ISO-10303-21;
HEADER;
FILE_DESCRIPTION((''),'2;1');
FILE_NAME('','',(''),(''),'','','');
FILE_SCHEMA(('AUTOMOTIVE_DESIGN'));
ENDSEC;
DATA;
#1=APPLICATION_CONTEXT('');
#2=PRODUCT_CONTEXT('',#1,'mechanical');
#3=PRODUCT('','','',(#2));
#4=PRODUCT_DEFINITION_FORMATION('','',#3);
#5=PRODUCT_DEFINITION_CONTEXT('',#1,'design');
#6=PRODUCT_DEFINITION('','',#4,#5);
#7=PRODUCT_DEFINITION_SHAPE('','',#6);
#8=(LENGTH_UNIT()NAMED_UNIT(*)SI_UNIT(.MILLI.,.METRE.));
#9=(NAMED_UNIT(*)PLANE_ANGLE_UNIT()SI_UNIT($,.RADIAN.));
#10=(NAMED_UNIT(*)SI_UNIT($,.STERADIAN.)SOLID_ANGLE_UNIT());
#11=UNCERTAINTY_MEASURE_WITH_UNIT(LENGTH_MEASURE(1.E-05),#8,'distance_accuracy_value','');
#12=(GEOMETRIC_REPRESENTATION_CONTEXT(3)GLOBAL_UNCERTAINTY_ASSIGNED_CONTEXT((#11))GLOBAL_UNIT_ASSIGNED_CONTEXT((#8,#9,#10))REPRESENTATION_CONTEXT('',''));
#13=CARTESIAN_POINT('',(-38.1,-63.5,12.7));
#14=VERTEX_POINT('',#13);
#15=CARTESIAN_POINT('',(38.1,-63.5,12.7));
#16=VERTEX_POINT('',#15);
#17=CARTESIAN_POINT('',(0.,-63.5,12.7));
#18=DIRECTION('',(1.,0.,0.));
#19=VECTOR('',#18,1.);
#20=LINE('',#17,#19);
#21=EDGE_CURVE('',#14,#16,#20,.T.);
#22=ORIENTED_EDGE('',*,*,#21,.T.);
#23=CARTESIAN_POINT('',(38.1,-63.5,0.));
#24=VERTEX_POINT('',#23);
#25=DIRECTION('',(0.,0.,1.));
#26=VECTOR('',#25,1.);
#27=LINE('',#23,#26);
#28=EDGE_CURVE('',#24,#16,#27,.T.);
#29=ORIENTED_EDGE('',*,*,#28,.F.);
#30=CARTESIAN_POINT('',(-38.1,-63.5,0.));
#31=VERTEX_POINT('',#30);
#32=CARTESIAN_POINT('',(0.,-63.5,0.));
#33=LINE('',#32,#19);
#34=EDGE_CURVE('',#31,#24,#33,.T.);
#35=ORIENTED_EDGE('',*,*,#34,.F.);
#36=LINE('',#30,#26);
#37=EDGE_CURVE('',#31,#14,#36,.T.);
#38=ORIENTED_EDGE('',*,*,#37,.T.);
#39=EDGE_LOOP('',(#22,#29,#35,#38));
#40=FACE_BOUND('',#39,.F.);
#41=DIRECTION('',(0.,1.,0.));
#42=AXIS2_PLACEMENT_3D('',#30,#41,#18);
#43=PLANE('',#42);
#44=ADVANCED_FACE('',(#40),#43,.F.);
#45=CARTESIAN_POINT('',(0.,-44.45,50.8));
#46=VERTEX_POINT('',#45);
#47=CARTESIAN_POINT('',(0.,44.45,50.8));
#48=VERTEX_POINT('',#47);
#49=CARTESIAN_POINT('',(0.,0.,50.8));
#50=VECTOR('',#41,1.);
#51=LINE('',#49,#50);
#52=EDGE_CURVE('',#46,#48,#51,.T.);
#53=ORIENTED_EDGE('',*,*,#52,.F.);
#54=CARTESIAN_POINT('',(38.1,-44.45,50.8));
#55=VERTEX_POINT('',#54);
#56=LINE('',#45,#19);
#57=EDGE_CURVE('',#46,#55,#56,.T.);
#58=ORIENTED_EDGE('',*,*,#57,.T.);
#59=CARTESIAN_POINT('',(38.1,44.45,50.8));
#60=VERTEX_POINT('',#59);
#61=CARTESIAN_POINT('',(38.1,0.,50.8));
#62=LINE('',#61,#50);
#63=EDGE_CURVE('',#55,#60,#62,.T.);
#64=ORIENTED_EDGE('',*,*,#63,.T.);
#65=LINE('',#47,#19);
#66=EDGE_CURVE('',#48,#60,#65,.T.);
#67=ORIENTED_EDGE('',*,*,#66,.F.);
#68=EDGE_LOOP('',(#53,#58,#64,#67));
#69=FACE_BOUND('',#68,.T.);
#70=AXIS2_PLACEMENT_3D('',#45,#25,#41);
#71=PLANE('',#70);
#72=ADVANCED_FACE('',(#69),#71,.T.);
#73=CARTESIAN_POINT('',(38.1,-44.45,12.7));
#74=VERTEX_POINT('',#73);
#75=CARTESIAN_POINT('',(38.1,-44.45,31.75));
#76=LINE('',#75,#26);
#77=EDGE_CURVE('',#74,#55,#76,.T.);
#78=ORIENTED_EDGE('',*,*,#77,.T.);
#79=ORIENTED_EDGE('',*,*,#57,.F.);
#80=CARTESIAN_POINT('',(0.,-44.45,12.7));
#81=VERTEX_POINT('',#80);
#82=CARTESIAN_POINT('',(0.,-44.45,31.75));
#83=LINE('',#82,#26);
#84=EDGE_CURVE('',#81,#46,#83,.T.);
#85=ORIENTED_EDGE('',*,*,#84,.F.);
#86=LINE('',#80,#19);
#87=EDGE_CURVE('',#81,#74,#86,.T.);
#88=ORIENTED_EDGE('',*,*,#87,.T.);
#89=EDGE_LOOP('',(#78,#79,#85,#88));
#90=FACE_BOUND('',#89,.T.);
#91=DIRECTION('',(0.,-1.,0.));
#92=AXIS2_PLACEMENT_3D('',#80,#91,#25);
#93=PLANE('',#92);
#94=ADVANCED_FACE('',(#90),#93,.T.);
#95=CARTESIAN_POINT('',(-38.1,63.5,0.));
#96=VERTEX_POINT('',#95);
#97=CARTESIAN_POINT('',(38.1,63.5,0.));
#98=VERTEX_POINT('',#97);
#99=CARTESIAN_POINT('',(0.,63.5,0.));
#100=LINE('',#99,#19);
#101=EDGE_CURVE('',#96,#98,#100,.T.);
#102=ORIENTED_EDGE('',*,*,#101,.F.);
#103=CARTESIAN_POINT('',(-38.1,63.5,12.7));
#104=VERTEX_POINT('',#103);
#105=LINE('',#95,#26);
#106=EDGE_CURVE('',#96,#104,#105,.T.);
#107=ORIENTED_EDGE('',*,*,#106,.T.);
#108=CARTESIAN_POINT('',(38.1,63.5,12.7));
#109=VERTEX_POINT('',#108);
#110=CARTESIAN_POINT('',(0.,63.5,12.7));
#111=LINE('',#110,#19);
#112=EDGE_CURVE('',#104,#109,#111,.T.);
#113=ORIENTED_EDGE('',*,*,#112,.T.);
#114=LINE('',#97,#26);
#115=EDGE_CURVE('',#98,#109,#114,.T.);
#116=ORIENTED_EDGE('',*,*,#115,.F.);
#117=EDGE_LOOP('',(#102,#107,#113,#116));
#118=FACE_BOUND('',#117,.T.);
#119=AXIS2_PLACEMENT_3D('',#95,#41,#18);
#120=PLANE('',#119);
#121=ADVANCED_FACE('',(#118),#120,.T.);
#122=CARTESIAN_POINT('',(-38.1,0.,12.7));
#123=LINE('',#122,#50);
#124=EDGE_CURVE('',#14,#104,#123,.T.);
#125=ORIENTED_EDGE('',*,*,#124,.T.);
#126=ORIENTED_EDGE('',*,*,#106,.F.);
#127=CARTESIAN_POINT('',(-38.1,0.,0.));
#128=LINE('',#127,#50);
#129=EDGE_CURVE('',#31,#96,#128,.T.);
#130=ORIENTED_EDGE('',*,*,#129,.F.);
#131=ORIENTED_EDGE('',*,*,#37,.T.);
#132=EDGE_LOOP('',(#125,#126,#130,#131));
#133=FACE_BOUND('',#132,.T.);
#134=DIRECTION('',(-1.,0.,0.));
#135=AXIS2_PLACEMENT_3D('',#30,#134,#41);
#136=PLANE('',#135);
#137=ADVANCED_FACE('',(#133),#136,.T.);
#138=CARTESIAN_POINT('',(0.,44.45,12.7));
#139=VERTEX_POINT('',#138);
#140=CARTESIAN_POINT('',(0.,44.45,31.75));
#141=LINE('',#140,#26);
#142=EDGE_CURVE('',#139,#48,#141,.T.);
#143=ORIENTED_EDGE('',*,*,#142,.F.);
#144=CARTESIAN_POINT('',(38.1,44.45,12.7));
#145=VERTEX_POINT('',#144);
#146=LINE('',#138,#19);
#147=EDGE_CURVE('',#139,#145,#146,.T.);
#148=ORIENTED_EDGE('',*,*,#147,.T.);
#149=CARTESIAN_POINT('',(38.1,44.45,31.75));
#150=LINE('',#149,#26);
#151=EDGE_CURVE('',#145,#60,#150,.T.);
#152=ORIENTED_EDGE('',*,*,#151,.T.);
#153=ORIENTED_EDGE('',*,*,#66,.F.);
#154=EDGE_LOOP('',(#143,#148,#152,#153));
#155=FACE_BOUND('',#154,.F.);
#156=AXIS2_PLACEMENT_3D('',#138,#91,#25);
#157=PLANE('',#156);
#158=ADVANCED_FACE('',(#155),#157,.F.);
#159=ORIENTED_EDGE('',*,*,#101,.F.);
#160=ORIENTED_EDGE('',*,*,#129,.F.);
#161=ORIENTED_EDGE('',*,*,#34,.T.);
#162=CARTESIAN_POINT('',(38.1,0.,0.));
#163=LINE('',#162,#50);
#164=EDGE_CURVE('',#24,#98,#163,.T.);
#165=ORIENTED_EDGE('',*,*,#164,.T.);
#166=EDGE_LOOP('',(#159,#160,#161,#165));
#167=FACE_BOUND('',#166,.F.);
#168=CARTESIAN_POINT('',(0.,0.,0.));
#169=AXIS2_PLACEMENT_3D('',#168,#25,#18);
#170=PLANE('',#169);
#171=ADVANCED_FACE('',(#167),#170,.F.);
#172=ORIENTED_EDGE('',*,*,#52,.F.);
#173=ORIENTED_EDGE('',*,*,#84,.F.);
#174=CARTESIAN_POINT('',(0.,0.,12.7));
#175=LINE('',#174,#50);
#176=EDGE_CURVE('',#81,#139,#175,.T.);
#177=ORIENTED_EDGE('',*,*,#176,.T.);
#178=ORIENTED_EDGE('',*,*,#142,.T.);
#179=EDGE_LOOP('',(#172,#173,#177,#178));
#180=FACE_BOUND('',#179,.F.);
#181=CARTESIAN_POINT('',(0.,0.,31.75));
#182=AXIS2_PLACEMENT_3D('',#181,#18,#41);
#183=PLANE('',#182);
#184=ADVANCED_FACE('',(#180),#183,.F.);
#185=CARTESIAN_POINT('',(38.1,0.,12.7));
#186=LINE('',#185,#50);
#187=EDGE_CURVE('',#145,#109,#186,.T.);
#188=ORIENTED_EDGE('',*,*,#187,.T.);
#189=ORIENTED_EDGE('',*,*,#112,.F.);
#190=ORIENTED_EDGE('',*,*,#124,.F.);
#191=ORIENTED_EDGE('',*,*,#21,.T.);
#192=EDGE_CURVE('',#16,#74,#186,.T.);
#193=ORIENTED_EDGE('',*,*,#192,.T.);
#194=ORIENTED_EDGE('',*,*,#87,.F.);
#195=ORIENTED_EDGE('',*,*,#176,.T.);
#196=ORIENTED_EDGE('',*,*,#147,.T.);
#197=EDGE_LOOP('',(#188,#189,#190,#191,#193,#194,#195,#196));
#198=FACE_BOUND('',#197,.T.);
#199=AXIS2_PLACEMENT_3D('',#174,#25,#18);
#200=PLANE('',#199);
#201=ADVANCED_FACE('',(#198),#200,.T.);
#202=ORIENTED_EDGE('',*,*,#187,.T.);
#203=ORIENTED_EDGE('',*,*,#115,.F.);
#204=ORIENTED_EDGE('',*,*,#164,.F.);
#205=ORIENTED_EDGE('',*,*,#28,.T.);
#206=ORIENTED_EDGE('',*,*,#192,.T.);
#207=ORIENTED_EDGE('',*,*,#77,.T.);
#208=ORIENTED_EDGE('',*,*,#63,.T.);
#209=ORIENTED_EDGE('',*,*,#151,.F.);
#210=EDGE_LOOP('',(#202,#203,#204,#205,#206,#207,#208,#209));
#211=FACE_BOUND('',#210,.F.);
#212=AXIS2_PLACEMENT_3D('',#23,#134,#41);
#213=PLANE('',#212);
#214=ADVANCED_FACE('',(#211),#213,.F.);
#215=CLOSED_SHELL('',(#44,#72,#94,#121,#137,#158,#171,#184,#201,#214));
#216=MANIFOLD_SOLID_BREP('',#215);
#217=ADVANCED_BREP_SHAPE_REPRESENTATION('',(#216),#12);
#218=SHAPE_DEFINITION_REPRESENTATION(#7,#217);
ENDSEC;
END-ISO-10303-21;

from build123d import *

# Parameters (mm, degrees)
F0_W     = 76.2
F0_H     = 127
F1_DEPTH = 12.7
F2_W     = 88.9
F2_H     = 38.1
F3_DEPTH = 38.1


with BuildPart() as f1:
    # F0 (on Top) → F1 (new body)
    with BuildSketch(Plane.XY):
        Rectangle(F0_W, F0_H)
    extrude(amount=F1_DEPTH)

    # F2 (on Right) → F3 (join)
    with BuildSketch(Plane.YZ):
        with Locations((0, 31.75)):
            Rectangle(F2_W, F2_H)
    extrude(amount=F3_DEPTH)


solid = f1.part
